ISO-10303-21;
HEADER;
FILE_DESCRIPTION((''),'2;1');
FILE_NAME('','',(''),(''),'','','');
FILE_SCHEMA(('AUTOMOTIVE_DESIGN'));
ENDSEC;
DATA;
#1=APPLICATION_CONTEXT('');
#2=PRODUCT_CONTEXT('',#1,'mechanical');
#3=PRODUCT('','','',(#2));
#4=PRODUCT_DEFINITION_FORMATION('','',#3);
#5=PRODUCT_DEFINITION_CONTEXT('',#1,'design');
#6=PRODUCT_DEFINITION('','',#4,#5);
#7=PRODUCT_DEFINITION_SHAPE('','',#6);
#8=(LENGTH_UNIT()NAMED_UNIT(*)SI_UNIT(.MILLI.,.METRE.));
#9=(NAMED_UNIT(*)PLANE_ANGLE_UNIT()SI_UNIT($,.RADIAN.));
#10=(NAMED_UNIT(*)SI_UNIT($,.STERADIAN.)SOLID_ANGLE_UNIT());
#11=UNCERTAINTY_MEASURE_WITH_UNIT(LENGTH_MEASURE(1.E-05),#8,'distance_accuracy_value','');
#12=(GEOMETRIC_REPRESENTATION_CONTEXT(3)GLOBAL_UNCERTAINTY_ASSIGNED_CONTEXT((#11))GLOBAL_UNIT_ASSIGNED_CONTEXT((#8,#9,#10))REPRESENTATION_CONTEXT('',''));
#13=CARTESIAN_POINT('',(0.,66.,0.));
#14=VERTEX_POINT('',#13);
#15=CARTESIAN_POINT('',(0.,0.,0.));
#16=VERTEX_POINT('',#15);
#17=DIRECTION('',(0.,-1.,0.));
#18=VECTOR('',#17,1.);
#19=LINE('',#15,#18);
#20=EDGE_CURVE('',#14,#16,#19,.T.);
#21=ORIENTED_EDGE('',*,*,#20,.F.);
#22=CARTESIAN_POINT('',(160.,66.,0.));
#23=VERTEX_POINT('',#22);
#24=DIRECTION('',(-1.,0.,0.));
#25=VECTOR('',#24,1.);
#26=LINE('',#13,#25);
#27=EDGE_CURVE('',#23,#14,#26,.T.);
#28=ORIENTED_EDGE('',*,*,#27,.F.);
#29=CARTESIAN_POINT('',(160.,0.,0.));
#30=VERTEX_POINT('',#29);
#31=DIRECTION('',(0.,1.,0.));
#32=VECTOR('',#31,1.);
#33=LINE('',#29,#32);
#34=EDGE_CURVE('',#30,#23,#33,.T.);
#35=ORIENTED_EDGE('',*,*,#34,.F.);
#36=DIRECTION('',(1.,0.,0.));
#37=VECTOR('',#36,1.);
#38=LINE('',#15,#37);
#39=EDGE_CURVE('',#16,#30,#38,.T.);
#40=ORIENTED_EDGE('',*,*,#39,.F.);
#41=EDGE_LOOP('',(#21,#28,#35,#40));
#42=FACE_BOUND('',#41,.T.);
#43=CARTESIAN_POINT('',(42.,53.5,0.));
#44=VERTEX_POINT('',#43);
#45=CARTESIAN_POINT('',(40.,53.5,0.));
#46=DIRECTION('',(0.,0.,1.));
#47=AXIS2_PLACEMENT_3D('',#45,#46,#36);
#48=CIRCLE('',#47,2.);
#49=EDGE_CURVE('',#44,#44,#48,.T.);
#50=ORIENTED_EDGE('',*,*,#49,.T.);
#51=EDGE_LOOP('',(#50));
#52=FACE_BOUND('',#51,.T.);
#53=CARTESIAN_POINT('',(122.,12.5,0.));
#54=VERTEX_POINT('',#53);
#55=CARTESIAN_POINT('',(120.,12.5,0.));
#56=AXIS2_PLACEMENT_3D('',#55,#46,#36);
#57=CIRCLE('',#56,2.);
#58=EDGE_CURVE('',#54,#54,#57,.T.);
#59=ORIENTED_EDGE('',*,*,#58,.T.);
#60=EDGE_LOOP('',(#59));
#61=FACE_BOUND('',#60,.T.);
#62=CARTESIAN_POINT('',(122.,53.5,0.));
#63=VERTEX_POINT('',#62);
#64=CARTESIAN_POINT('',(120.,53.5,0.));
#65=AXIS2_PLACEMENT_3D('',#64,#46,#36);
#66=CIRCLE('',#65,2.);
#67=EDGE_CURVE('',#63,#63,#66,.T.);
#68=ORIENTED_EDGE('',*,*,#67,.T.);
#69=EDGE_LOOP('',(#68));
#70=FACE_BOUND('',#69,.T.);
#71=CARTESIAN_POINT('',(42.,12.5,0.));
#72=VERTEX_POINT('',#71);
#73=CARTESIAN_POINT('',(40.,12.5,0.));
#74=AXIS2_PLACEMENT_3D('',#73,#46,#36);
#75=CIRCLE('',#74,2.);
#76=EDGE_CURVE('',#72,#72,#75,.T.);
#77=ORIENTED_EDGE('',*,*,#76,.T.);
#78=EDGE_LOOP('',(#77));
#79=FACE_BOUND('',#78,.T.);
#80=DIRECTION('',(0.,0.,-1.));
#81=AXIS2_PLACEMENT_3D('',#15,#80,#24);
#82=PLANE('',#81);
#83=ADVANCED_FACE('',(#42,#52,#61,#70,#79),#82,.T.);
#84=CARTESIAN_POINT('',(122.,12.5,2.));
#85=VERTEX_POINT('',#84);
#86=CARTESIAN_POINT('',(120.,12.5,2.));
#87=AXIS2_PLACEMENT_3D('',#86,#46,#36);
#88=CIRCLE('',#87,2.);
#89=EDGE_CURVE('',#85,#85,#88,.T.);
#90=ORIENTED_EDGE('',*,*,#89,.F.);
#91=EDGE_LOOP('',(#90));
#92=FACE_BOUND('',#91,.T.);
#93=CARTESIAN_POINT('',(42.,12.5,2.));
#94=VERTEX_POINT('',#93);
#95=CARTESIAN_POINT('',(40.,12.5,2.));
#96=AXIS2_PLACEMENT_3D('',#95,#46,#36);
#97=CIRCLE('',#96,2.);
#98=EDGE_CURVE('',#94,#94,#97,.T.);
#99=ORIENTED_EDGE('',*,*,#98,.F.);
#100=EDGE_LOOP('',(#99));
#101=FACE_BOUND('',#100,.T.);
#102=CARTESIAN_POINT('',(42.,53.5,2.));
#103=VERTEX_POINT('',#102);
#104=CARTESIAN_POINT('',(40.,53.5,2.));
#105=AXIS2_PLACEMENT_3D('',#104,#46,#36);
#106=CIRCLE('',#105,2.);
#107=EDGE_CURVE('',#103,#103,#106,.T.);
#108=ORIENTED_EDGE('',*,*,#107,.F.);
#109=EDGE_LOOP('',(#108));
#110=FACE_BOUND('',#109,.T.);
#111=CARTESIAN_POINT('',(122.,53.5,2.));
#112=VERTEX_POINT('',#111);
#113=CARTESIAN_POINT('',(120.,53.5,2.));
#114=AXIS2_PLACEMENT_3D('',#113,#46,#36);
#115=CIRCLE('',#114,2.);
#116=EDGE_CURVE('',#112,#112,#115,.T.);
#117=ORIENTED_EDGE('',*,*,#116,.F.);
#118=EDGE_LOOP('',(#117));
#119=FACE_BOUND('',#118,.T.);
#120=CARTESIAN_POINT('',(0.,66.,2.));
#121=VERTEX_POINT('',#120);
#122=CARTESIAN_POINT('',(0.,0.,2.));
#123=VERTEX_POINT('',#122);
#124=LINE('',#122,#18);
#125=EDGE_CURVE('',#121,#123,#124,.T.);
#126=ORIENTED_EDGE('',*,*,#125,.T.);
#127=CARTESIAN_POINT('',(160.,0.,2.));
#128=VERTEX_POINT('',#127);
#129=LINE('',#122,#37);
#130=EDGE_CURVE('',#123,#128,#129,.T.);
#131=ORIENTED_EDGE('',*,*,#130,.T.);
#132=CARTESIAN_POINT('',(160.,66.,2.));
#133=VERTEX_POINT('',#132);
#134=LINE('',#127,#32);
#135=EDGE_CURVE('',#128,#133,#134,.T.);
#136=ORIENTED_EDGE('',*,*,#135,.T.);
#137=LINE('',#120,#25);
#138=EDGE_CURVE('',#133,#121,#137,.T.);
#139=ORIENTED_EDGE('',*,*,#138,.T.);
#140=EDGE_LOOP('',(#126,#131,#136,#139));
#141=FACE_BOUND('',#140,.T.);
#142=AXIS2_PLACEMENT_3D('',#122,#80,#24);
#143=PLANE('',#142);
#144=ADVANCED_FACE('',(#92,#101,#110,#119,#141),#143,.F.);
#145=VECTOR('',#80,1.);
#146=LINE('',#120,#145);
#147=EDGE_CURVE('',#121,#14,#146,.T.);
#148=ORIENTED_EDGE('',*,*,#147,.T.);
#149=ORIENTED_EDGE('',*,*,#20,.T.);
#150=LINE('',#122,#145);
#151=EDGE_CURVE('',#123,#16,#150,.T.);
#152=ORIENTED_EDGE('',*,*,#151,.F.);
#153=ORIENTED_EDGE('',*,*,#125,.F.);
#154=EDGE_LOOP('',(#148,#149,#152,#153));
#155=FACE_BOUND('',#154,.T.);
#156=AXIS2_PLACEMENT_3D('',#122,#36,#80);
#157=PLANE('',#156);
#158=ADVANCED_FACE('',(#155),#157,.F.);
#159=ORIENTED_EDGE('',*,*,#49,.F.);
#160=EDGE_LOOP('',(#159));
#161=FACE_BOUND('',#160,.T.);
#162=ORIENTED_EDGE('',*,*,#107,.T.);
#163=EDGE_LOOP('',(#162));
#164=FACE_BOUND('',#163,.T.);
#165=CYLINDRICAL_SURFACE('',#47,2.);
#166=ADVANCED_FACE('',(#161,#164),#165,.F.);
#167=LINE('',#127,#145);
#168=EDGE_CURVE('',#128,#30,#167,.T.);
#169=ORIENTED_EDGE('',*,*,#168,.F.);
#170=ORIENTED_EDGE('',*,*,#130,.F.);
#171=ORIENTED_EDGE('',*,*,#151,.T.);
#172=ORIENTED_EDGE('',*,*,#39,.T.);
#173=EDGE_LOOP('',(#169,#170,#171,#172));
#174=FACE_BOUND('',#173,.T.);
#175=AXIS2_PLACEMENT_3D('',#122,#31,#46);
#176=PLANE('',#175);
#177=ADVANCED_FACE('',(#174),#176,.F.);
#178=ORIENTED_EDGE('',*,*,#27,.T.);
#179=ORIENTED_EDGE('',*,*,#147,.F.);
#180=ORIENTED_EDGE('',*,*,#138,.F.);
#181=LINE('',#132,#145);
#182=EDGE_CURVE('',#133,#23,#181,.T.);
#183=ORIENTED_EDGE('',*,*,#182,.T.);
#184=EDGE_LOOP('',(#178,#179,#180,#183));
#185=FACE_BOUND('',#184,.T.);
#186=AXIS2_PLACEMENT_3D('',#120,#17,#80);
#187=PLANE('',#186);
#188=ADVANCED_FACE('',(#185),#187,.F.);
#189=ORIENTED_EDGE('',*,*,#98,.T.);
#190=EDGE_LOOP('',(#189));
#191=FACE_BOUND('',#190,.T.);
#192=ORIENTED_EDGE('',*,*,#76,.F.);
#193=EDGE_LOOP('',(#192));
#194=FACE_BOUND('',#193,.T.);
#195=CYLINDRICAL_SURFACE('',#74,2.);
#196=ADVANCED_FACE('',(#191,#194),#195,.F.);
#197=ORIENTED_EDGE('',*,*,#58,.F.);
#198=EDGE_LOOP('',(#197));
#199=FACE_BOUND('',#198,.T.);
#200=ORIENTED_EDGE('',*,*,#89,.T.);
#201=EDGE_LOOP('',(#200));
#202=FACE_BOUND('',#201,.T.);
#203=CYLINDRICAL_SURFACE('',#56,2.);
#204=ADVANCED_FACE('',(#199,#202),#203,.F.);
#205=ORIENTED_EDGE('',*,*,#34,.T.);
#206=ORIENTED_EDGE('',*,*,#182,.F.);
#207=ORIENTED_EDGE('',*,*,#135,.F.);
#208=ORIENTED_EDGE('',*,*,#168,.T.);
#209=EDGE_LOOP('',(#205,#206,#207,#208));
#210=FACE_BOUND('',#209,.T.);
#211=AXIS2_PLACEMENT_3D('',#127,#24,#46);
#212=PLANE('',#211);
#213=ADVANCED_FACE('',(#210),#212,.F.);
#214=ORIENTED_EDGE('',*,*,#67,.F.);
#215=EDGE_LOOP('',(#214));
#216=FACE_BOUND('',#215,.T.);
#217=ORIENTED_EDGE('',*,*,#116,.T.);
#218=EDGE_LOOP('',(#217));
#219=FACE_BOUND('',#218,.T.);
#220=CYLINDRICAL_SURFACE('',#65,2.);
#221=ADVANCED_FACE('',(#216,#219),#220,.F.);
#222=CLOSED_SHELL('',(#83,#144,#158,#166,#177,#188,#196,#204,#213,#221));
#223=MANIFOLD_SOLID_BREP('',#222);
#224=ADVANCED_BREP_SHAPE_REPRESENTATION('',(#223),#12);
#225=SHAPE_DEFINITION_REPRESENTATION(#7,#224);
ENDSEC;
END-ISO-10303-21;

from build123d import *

# Parameters (mm, degrees)
SKETCH1_W           = 160
SKETCH1_H           = 66
BOSS_EXTRUDE1_DEPTH = 2
SKETCH2_R           = 2
CUT_EXTRUDE1_DEPTH  = 174.089572187


with BuildPart() as part:
    # Sketch1 → Boss-Extrude1 (new body)
    with BuildSketch(Plane.XY):
        with Locations((80, 33)):
            Rectangle(SKETCH1_W, SKETCH1_H)
    extrude(amount=BOSS_EXTRUDE1_DEPTH)

    # Sketch2 → Cut-Extrude1 (cut, through all)
    with BuildSketch(Plane.XY.offset(2)):
        with Locations((40, 53.5)):
            Circle(SKETCH2_R)
        with Locations((120, 53.5)):
            Circle(SKETCH2_R)
        with Locations((40, 12.5)):
            Circle(SKETCH2_R)
        with Locations((120, 12.5)):
            Circle(SKETCH2_R)
    extrude(amount=-CUT_EXTRUDE1_DEPTH, mode=Mode.SUBTRACT)


solid = part.part
